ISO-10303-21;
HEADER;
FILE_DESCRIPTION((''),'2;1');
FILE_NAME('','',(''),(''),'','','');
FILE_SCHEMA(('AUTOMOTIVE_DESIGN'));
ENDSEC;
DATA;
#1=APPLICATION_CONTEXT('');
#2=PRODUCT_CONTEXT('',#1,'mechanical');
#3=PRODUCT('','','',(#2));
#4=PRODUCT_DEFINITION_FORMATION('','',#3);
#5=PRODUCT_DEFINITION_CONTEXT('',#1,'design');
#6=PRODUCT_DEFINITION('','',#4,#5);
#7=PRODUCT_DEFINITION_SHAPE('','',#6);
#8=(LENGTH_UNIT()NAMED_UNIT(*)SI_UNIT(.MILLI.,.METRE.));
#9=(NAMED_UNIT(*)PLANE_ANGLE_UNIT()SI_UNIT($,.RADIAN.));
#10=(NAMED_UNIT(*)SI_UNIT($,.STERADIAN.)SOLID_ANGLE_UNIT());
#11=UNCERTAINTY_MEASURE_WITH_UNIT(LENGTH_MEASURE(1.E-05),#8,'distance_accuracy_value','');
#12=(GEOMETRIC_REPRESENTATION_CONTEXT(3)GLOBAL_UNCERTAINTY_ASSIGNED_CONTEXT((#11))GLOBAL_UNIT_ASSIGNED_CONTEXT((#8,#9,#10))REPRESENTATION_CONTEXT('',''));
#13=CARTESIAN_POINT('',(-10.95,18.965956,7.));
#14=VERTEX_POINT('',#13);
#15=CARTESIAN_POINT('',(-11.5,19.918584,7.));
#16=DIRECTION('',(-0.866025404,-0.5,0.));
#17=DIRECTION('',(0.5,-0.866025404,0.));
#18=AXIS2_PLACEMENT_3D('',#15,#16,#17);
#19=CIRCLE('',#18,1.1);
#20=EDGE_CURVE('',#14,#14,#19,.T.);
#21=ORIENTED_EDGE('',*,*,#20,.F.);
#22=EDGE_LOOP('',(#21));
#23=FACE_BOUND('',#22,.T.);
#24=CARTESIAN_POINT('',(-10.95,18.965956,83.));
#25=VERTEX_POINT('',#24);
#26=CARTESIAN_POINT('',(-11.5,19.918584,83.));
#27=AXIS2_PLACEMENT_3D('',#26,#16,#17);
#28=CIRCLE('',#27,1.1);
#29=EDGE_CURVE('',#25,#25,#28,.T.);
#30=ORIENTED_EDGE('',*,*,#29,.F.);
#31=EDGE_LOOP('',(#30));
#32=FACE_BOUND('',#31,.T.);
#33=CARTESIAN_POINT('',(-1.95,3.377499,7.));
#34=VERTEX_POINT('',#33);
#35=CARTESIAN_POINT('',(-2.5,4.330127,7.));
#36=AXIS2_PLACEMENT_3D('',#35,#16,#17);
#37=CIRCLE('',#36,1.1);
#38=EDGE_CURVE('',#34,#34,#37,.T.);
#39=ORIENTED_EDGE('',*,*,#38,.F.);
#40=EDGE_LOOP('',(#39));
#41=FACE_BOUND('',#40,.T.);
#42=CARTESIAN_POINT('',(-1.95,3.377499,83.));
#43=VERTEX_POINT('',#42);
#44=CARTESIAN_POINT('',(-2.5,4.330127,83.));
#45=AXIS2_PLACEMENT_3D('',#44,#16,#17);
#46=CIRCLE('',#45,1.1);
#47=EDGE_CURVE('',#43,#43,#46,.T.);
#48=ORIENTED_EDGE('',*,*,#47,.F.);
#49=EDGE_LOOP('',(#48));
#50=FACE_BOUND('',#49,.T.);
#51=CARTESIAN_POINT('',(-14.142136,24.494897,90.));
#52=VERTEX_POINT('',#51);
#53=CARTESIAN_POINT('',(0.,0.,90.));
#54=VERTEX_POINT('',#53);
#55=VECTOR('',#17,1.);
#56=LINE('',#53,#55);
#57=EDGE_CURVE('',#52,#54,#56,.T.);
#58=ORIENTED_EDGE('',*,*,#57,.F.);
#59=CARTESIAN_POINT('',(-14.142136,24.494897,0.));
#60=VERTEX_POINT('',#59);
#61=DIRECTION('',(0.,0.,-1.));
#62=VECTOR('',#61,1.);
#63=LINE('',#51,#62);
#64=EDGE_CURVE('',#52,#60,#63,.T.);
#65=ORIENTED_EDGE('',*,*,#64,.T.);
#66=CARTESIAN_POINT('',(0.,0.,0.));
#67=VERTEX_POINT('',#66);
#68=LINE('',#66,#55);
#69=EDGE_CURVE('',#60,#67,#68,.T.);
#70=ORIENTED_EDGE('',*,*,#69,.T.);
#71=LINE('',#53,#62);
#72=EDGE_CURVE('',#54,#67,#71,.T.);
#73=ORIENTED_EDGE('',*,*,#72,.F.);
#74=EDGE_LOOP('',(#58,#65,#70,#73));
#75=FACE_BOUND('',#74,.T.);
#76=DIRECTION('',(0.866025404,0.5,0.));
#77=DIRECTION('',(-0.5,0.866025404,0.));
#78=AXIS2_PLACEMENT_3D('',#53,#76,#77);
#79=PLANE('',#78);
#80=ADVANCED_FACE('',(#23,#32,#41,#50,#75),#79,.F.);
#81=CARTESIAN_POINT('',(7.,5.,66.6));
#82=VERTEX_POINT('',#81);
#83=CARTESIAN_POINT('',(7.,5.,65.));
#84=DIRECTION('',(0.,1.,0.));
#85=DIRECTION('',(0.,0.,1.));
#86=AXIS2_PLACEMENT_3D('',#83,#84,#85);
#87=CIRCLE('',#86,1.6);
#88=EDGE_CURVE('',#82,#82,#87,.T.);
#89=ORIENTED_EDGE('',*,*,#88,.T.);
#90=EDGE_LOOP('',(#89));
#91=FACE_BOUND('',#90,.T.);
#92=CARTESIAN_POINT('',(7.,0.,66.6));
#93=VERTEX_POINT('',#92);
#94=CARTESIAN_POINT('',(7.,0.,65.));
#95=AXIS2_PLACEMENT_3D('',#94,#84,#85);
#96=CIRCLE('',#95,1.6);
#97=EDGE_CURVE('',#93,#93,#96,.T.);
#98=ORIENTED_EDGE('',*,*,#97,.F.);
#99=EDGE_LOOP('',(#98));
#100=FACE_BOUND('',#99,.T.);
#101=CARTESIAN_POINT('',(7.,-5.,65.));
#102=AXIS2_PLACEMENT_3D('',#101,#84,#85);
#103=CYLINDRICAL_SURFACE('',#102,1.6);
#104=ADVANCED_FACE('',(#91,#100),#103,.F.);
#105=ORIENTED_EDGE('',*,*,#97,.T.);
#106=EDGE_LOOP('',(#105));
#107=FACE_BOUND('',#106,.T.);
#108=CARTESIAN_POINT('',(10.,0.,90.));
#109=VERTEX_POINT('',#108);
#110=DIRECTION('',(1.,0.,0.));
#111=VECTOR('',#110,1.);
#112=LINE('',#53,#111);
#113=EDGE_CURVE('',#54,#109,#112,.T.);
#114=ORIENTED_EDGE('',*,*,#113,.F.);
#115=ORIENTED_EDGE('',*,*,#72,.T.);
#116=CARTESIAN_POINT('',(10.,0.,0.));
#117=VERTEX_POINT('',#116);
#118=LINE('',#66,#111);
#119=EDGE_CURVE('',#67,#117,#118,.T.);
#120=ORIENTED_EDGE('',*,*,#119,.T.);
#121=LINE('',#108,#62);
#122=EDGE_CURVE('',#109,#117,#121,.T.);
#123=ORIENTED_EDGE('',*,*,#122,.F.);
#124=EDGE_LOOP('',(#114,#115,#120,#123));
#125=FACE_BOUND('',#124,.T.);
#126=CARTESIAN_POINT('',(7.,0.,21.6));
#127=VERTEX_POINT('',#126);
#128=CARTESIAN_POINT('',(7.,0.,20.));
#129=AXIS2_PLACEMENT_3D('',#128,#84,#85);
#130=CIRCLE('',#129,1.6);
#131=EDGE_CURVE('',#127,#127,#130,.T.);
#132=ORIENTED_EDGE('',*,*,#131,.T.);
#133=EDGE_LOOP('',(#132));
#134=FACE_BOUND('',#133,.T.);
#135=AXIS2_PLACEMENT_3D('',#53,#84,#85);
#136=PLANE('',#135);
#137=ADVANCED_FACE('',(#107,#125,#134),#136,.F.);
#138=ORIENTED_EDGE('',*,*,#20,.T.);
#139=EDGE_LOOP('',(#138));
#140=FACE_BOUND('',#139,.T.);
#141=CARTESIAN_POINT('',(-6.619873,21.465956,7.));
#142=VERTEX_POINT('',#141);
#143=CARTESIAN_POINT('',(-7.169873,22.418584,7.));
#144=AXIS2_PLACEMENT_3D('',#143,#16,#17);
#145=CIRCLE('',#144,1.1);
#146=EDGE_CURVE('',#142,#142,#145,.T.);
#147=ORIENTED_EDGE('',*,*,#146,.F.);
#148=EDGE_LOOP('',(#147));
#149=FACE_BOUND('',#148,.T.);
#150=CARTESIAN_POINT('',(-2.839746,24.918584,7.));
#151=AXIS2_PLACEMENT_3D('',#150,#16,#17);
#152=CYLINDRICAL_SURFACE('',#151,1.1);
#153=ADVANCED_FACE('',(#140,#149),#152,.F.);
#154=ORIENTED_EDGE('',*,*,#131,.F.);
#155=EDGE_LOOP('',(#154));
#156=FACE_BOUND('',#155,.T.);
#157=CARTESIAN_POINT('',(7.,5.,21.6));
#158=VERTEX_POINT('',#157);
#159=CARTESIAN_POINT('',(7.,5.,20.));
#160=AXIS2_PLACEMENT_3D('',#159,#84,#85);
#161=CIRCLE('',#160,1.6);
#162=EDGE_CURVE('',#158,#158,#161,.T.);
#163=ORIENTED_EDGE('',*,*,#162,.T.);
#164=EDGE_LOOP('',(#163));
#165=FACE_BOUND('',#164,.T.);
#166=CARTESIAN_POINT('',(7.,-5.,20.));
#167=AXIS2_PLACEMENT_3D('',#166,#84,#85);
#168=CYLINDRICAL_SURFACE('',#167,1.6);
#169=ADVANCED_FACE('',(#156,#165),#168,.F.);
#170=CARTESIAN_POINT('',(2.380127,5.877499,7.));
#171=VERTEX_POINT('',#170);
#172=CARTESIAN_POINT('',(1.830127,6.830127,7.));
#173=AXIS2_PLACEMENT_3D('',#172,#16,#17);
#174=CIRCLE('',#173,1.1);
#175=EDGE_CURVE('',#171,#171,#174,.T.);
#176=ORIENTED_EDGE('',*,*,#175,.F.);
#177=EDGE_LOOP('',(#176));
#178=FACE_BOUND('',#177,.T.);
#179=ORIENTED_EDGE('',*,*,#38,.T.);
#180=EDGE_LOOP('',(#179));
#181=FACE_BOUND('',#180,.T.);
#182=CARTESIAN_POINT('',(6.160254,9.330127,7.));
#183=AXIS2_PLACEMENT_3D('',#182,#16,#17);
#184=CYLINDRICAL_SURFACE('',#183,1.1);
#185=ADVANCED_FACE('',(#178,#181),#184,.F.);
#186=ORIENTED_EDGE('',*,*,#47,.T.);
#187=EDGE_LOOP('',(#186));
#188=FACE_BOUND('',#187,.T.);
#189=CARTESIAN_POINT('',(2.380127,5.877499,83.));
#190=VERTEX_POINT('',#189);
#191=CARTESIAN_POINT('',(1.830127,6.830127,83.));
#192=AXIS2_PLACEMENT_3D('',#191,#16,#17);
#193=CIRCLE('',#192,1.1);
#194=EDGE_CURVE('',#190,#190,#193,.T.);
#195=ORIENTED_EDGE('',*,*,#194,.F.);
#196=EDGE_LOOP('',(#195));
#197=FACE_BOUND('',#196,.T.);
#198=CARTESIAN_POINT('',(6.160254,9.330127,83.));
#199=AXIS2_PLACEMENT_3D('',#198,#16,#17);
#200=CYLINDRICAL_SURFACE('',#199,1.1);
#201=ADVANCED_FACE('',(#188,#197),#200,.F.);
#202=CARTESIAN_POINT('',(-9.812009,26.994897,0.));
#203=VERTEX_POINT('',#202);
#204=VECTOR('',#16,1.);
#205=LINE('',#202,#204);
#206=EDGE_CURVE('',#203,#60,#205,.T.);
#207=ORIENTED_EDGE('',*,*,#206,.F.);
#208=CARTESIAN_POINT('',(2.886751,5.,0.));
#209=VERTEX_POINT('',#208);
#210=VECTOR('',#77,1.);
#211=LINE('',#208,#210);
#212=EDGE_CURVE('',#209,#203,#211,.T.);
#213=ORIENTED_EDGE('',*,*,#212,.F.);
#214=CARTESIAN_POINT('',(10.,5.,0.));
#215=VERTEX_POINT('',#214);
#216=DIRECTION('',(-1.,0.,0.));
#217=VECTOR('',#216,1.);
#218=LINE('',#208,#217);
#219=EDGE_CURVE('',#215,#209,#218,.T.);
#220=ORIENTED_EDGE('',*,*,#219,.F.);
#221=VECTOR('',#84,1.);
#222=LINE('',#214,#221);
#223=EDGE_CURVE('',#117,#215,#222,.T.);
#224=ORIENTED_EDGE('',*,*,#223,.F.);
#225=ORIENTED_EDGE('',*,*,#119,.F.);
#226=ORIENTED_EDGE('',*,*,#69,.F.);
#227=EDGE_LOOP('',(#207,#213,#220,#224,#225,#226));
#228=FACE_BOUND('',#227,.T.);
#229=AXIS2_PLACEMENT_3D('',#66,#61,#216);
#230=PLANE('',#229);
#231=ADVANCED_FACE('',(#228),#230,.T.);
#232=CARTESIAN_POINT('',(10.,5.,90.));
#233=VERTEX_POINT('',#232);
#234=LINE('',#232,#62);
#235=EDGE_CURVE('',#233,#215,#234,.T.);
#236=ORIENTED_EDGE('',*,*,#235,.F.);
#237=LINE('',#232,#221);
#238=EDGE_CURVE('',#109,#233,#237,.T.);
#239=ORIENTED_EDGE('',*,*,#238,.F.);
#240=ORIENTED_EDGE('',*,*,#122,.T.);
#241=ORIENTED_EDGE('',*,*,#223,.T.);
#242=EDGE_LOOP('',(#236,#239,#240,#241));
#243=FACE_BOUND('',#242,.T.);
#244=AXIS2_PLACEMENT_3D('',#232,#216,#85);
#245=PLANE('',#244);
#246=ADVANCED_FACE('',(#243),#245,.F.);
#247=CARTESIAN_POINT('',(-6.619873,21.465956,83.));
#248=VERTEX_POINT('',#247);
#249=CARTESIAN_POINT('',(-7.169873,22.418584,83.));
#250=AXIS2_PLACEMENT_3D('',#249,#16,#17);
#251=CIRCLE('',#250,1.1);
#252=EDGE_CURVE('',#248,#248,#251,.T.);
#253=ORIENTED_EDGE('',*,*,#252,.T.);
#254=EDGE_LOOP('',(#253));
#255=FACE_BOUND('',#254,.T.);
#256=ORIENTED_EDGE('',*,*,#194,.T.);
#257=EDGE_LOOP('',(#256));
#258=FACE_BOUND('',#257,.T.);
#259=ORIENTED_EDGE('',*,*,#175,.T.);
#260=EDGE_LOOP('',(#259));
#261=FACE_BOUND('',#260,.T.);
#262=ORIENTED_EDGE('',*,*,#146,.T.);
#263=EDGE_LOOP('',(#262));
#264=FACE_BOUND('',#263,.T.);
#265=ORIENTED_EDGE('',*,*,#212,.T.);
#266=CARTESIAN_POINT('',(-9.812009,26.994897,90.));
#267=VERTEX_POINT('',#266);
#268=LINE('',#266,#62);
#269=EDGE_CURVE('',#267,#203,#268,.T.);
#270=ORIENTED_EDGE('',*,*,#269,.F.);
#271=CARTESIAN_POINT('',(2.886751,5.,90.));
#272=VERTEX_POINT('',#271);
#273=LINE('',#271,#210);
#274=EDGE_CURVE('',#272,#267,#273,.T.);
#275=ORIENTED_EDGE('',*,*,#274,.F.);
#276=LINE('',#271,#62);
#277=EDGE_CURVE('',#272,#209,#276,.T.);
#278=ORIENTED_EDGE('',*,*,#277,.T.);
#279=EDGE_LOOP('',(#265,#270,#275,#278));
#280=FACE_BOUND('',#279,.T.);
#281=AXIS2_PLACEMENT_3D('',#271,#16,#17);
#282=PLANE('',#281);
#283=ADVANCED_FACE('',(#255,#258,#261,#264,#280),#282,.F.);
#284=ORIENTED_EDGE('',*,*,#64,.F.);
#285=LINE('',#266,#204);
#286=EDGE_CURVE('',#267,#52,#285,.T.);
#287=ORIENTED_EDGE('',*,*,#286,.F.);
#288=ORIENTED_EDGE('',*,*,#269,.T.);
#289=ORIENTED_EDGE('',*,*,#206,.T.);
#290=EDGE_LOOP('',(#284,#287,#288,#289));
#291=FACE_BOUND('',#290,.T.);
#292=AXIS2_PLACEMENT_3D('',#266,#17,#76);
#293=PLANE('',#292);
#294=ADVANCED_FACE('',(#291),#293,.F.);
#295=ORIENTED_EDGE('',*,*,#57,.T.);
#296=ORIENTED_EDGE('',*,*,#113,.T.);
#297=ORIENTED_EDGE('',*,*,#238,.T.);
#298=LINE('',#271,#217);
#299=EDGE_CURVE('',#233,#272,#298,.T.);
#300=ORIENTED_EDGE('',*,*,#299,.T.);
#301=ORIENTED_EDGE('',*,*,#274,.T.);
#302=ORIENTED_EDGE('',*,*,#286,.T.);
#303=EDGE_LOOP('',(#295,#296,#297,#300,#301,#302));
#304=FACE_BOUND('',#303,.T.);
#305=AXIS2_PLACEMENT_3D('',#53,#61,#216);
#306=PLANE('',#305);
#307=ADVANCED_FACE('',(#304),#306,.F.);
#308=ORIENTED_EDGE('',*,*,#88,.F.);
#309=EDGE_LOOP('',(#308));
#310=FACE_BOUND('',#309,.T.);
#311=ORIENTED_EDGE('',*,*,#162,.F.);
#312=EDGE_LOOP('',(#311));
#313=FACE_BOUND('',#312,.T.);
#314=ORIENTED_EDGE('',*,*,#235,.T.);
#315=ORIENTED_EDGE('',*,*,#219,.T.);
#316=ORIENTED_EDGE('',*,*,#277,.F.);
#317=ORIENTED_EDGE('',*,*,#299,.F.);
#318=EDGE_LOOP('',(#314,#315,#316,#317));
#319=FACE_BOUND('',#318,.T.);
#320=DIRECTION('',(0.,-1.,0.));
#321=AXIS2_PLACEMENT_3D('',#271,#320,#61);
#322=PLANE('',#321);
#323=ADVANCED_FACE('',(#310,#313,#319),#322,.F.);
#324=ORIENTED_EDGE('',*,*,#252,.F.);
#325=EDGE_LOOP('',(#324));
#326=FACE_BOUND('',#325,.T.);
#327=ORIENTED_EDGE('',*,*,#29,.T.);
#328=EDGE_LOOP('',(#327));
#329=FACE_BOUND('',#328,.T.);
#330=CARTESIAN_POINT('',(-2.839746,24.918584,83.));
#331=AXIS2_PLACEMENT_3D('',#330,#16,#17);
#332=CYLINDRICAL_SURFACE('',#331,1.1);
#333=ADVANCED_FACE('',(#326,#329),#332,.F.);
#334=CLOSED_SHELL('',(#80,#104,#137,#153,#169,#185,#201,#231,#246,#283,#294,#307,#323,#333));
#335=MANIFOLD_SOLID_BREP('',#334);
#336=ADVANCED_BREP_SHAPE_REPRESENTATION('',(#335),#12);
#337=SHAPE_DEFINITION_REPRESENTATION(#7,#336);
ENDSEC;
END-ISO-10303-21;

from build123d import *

# Parameters (mm, degrees)
EXTRUDE_1_DEPTH     = 90
SKETCH_2_R          = 1.6
CUT_EXTRUDE_1_DEPTH = 10
SKETCH_3_R          = 1.1
CUT_EXTRUDE_2_DEPTH = 10


with BuildPart() as part:
    # 草图1 → 凸台-拉伸1 (new body)
    with BuildSketch(Plane.XY):
        Polygon((0, 0), (-14.142135624, 24.494897428), (-9.812008605, 26.994897428), (2.886751346, 5), (10, 5), (10, 0), align=None)
    extrude(amount=EXTRUDE_1_DEPTH)

    # 草图2 → 切除-拉伸1 (cut)
    with BuildSketch(Plane(origin=(0, 5, 0), x_dir=(1, 0, 0), z_dir=(0, 1, 0))):
        with Locations(Location((7, -20, 0), (0, 0, 270))):
            Circle(SKETCH_2_R)
        with Locations(Location((7, -65, 0), (0, 0, 270))):
            Circle(SKETCH_2_R)
    extrude(amount=-CUT_EXTRUDE_1_DEPTH, mode=Mode.SUBTRACT)

    # 草图3 → 切除-拉伸2 (cut)
    with BuildSketch(Plane(origin=(0, 0, 0), x_dir=(0, 0, 1), z_dir=(-0.8660254037844363, -0.5000000000000043, 0))):
        with Locations(Location((7, 23, 0), (0, 0, 270))):
            Circle(SKETCH_3_R)
        with Locations(Location((83, 23, 0), (0, 0, 270))):
            Circle(SKETCH_3_R)
        with Locations(Location((83, 5, 0), (0, 0, 270))):
            Circle(SKETCH_3_R)
        with Locations(Location((7, 5, 0), (0, 0, 270))):
            Circle(SKETCH_3_R)
    extrude(amount=-CUT_EXTRUDE_2_DEPTH, mode=Mode.SUBTRACT)


solid = part.part
